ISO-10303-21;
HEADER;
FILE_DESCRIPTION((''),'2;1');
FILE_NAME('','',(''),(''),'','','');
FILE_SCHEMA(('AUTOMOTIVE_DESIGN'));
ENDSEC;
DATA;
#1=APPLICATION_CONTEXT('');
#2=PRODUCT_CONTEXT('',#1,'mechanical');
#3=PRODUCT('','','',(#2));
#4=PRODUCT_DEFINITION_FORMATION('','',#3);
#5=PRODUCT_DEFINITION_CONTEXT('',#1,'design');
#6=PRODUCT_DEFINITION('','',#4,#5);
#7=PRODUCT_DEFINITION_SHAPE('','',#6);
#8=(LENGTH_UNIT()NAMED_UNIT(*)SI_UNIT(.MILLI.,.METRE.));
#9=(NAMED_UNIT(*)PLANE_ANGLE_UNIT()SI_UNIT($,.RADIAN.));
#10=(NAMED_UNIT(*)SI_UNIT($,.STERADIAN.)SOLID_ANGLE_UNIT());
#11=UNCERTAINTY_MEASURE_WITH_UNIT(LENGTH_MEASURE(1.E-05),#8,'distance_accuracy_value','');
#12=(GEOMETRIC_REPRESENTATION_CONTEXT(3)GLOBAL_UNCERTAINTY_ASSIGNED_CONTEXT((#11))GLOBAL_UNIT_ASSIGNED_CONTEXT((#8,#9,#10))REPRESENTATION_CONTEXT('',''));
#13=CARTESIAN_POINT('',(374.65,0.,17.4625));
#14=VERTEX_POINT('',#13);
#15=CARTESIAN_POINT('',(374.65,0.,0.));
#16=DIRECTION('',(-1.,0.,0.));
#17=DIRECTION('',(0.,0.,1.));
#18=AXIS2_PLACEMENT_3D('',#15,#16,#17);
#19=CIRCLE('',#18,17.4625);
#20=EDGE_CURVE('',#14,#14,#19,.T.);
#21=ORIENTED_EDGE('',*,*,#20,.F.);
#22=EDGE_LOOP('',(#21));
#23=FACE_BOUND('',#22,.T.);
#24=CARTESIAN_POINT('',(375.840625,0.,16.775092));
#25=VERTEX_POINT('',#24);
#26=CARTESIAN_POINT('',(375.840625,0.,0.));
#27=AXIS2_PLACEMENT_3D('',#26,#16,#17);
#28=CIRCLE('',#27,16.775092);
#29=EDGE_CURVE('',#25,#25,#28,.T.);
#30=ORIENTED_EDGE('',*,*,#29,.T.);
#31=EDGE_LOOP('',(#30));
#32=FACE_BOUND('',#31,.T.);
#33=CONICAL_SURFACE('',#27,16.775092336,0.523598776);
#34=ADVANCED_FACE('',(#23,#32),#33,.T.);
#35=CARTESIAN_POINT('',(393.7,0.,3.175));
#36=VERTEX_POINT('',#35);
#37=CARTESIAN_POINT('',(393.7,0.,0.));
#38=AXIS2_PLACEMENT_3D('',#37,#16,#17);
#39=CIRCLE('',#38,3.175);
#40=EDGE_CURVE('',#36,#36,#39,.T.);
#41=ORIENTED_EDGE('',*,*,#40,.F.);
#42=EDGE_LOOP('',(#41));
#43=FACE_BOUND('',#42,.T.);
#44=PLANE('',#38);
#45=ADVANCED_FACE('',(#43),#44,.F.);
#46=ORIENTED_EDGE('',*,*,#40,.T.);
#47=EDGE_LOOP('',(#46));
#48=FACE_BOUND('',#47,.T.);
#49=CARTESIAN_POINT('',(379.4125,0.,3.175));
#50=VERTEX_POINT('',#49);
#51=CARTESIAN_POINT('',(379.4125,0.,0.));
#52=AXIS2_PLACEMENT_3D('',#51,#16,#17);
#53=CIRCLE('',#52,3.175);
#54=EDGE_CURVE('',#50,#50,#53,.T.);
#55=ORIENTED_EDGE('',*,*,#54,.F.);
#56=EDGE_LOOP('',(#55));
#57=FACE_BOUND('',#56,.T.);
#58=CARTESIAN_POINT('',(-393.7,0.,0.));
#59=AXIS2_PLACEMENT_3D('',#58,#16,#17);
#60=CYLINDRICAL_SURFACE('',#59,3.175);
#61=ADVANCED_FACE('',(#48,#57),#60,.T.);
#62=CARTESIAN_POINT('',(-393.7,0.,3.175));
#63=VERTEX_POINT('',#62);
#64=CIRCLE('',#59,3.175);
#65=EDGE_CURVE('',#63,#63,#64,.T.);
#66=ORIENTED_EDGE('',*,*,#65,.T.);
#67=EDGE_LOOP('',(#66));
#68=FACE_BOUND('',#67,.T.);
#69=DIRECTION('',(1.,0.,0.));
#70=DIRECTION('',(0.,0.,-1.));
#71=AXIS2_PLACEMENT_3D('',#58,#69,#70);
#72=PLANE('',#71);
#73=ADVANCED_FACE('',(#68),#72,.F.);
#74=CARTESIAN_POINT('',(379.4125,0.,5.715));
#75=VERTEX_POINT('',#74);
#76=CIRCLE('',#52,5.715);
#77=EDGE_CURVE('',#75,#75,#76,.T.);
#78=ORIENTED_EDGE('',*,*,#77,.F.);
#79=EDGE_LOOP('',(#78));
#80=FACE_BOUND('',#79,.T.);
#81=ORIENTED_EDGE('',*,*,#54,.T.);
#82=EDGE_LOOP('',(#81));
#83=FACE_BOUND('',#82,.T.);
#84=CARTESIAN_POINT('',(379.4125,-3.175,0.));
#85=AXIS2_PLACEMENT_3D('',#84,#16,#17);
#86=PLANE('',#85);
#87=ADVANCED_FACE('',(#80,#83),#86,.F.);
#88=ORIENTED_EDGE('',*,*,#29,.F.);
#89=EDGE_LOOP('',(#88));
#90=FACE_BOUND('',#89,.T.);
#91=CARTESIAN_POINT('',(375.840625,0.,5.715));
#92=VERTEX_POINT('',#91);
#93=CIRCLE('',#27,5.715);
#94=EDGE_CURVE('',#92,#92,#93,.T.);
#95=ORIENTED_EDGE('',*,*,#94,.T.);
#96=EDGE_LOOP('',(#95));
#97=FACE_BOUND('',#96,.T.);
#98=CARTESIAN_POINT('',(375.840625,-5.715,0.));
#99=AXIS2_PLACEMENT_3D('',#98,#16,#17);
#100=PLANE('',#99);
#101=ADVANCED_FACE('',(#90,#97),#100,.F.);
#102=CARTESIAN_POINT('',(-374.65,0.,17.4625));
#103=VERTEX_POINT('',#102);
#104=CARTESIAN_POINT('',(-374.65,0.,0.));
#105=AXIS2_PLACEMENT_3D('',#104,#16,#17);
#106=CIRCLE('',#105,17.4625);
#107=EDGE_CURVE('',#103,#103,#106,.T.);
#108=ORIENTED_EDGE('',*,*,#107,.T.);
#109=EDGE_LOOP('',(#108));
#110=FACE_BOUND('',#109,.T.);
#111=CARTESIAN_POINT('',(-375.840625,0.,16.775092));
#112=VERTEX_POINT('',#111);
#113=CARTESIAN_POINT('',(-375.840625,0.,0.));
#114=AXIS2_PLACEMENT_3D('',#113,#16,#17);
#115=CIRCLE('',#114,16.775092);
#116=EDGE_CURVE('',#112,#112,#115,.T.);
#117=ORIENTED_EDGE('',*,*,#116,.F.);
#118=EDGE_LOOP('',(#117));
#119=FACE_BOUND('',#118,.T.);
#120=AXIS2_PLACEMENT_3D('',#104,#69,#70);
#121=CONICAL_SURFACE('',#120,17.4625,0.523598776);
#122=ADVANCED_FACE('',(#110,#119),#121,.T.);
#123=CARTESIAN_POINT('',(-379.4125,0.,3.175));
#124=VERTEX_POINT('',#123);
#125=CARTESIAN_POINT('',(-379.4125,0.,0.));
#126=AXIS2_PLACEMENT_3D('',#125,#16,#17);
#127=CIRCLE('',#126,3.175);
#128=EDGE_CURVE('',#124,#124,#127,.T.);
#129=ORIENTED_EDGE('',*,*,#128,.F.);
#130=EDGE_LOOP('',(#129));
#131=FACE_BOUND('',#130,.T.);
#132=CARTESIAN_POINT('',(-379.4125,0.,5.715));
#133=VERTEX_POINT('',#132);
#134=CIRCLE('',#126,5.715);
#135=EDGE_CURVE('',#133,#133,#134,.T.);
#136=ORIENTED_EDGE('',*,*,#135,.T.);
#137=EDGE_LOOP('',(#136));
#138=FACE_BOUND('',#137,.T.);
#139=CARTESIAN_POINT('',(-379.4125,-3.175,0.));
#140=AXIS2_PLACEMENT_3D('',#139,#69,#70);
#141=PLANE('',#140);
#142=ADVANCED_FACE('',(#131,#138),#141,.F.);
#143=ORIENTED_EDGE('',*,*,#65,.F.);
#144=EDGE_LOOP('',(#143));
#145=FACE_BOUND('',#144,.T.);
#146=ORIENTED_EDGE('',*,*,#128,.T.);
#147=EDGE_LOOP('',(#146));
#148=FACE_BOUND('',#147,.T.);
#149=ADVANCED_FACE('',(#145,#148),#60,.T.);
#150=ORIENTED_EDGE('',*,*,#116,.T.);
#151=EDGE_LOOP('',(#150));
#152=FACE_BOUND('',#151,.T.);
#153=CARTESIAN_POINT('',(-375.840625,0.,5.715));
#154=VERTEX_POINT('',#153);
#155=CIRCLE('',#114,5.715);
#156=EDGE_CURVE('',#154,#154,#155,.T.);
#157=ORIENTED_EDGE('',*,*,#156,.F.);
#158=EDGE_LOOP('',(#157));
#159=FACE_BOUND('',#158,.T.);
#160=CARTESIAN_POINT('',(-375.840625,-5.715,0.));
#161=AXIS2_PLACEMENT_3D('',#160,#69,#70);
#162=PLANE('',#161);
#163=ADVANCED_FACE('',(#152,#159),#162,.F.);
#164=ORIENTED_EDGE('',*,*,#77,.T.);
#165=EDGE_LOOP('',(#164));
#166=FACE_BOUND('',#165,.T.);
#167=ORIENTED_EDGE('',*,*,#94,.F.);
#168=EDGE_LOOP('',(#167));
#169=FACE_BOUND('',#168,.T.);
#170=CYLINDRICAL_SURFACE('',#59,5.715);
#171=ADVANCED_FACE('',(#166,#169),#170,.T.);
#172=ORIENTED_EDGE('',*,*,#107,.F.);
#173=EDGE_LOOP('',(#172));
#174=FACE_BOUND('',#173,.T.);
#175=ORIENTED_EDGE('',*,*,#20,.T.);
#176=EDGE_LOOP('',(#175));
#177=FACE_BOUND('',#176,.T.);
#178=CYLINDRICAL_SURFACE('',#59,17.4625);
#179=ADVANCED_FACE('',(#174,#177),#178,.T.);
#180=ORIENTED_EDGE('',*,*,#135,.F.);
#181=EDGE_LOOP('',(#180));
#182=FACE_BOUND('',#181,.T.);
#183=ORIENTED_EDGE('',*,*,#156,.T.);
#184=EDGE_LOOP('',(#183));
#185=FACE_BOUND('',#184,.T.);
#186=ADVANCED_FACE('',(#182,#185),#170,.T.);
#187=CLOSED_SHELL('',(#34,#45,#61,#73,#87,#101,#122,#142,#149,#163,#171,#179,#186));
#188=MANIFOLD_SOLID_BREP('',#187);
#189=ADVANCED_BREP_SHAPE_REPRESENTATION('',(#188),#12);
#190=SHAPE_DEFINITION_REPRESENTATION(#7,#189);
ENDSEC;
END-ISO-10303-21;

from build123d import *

# Parameters (mm, degrees)
REVOLVE1_ANGLE = 360


with BuildPart() as part:
    # Sketch2 → Revolve1 (revolve, symmetric)
    with BuildSketch(Plane.XY) as revolve1_sk:
        Polygon((-393.7, 0), (-393.7, 3.175), (-379.4125, 3.175), (-379.4125, 5.715), (-375.840625, 5.715), (-375.840625, 16.775092336), (-374.65, 17.4625), (374.65, 17.4625), (375.840625, 16.775092336), (375.840625, 5.715), (379.4125, 5.715), (379.4125, 3.175), (393.7, 3.175), (393.7, 0), align=None)
    revolve(axis=Axis((-393.7, 0, 0), (1, 0, 0)), revolution_arc=REVOLVE1_ANGLE / 2)
    revolve(revolve1_sk.sketch, axis=Axis((-393.7, 0, 0), (-1, 0, 0)), revolution_arc=REVOLVE1_ANGLE / 2)


solid = part.part
